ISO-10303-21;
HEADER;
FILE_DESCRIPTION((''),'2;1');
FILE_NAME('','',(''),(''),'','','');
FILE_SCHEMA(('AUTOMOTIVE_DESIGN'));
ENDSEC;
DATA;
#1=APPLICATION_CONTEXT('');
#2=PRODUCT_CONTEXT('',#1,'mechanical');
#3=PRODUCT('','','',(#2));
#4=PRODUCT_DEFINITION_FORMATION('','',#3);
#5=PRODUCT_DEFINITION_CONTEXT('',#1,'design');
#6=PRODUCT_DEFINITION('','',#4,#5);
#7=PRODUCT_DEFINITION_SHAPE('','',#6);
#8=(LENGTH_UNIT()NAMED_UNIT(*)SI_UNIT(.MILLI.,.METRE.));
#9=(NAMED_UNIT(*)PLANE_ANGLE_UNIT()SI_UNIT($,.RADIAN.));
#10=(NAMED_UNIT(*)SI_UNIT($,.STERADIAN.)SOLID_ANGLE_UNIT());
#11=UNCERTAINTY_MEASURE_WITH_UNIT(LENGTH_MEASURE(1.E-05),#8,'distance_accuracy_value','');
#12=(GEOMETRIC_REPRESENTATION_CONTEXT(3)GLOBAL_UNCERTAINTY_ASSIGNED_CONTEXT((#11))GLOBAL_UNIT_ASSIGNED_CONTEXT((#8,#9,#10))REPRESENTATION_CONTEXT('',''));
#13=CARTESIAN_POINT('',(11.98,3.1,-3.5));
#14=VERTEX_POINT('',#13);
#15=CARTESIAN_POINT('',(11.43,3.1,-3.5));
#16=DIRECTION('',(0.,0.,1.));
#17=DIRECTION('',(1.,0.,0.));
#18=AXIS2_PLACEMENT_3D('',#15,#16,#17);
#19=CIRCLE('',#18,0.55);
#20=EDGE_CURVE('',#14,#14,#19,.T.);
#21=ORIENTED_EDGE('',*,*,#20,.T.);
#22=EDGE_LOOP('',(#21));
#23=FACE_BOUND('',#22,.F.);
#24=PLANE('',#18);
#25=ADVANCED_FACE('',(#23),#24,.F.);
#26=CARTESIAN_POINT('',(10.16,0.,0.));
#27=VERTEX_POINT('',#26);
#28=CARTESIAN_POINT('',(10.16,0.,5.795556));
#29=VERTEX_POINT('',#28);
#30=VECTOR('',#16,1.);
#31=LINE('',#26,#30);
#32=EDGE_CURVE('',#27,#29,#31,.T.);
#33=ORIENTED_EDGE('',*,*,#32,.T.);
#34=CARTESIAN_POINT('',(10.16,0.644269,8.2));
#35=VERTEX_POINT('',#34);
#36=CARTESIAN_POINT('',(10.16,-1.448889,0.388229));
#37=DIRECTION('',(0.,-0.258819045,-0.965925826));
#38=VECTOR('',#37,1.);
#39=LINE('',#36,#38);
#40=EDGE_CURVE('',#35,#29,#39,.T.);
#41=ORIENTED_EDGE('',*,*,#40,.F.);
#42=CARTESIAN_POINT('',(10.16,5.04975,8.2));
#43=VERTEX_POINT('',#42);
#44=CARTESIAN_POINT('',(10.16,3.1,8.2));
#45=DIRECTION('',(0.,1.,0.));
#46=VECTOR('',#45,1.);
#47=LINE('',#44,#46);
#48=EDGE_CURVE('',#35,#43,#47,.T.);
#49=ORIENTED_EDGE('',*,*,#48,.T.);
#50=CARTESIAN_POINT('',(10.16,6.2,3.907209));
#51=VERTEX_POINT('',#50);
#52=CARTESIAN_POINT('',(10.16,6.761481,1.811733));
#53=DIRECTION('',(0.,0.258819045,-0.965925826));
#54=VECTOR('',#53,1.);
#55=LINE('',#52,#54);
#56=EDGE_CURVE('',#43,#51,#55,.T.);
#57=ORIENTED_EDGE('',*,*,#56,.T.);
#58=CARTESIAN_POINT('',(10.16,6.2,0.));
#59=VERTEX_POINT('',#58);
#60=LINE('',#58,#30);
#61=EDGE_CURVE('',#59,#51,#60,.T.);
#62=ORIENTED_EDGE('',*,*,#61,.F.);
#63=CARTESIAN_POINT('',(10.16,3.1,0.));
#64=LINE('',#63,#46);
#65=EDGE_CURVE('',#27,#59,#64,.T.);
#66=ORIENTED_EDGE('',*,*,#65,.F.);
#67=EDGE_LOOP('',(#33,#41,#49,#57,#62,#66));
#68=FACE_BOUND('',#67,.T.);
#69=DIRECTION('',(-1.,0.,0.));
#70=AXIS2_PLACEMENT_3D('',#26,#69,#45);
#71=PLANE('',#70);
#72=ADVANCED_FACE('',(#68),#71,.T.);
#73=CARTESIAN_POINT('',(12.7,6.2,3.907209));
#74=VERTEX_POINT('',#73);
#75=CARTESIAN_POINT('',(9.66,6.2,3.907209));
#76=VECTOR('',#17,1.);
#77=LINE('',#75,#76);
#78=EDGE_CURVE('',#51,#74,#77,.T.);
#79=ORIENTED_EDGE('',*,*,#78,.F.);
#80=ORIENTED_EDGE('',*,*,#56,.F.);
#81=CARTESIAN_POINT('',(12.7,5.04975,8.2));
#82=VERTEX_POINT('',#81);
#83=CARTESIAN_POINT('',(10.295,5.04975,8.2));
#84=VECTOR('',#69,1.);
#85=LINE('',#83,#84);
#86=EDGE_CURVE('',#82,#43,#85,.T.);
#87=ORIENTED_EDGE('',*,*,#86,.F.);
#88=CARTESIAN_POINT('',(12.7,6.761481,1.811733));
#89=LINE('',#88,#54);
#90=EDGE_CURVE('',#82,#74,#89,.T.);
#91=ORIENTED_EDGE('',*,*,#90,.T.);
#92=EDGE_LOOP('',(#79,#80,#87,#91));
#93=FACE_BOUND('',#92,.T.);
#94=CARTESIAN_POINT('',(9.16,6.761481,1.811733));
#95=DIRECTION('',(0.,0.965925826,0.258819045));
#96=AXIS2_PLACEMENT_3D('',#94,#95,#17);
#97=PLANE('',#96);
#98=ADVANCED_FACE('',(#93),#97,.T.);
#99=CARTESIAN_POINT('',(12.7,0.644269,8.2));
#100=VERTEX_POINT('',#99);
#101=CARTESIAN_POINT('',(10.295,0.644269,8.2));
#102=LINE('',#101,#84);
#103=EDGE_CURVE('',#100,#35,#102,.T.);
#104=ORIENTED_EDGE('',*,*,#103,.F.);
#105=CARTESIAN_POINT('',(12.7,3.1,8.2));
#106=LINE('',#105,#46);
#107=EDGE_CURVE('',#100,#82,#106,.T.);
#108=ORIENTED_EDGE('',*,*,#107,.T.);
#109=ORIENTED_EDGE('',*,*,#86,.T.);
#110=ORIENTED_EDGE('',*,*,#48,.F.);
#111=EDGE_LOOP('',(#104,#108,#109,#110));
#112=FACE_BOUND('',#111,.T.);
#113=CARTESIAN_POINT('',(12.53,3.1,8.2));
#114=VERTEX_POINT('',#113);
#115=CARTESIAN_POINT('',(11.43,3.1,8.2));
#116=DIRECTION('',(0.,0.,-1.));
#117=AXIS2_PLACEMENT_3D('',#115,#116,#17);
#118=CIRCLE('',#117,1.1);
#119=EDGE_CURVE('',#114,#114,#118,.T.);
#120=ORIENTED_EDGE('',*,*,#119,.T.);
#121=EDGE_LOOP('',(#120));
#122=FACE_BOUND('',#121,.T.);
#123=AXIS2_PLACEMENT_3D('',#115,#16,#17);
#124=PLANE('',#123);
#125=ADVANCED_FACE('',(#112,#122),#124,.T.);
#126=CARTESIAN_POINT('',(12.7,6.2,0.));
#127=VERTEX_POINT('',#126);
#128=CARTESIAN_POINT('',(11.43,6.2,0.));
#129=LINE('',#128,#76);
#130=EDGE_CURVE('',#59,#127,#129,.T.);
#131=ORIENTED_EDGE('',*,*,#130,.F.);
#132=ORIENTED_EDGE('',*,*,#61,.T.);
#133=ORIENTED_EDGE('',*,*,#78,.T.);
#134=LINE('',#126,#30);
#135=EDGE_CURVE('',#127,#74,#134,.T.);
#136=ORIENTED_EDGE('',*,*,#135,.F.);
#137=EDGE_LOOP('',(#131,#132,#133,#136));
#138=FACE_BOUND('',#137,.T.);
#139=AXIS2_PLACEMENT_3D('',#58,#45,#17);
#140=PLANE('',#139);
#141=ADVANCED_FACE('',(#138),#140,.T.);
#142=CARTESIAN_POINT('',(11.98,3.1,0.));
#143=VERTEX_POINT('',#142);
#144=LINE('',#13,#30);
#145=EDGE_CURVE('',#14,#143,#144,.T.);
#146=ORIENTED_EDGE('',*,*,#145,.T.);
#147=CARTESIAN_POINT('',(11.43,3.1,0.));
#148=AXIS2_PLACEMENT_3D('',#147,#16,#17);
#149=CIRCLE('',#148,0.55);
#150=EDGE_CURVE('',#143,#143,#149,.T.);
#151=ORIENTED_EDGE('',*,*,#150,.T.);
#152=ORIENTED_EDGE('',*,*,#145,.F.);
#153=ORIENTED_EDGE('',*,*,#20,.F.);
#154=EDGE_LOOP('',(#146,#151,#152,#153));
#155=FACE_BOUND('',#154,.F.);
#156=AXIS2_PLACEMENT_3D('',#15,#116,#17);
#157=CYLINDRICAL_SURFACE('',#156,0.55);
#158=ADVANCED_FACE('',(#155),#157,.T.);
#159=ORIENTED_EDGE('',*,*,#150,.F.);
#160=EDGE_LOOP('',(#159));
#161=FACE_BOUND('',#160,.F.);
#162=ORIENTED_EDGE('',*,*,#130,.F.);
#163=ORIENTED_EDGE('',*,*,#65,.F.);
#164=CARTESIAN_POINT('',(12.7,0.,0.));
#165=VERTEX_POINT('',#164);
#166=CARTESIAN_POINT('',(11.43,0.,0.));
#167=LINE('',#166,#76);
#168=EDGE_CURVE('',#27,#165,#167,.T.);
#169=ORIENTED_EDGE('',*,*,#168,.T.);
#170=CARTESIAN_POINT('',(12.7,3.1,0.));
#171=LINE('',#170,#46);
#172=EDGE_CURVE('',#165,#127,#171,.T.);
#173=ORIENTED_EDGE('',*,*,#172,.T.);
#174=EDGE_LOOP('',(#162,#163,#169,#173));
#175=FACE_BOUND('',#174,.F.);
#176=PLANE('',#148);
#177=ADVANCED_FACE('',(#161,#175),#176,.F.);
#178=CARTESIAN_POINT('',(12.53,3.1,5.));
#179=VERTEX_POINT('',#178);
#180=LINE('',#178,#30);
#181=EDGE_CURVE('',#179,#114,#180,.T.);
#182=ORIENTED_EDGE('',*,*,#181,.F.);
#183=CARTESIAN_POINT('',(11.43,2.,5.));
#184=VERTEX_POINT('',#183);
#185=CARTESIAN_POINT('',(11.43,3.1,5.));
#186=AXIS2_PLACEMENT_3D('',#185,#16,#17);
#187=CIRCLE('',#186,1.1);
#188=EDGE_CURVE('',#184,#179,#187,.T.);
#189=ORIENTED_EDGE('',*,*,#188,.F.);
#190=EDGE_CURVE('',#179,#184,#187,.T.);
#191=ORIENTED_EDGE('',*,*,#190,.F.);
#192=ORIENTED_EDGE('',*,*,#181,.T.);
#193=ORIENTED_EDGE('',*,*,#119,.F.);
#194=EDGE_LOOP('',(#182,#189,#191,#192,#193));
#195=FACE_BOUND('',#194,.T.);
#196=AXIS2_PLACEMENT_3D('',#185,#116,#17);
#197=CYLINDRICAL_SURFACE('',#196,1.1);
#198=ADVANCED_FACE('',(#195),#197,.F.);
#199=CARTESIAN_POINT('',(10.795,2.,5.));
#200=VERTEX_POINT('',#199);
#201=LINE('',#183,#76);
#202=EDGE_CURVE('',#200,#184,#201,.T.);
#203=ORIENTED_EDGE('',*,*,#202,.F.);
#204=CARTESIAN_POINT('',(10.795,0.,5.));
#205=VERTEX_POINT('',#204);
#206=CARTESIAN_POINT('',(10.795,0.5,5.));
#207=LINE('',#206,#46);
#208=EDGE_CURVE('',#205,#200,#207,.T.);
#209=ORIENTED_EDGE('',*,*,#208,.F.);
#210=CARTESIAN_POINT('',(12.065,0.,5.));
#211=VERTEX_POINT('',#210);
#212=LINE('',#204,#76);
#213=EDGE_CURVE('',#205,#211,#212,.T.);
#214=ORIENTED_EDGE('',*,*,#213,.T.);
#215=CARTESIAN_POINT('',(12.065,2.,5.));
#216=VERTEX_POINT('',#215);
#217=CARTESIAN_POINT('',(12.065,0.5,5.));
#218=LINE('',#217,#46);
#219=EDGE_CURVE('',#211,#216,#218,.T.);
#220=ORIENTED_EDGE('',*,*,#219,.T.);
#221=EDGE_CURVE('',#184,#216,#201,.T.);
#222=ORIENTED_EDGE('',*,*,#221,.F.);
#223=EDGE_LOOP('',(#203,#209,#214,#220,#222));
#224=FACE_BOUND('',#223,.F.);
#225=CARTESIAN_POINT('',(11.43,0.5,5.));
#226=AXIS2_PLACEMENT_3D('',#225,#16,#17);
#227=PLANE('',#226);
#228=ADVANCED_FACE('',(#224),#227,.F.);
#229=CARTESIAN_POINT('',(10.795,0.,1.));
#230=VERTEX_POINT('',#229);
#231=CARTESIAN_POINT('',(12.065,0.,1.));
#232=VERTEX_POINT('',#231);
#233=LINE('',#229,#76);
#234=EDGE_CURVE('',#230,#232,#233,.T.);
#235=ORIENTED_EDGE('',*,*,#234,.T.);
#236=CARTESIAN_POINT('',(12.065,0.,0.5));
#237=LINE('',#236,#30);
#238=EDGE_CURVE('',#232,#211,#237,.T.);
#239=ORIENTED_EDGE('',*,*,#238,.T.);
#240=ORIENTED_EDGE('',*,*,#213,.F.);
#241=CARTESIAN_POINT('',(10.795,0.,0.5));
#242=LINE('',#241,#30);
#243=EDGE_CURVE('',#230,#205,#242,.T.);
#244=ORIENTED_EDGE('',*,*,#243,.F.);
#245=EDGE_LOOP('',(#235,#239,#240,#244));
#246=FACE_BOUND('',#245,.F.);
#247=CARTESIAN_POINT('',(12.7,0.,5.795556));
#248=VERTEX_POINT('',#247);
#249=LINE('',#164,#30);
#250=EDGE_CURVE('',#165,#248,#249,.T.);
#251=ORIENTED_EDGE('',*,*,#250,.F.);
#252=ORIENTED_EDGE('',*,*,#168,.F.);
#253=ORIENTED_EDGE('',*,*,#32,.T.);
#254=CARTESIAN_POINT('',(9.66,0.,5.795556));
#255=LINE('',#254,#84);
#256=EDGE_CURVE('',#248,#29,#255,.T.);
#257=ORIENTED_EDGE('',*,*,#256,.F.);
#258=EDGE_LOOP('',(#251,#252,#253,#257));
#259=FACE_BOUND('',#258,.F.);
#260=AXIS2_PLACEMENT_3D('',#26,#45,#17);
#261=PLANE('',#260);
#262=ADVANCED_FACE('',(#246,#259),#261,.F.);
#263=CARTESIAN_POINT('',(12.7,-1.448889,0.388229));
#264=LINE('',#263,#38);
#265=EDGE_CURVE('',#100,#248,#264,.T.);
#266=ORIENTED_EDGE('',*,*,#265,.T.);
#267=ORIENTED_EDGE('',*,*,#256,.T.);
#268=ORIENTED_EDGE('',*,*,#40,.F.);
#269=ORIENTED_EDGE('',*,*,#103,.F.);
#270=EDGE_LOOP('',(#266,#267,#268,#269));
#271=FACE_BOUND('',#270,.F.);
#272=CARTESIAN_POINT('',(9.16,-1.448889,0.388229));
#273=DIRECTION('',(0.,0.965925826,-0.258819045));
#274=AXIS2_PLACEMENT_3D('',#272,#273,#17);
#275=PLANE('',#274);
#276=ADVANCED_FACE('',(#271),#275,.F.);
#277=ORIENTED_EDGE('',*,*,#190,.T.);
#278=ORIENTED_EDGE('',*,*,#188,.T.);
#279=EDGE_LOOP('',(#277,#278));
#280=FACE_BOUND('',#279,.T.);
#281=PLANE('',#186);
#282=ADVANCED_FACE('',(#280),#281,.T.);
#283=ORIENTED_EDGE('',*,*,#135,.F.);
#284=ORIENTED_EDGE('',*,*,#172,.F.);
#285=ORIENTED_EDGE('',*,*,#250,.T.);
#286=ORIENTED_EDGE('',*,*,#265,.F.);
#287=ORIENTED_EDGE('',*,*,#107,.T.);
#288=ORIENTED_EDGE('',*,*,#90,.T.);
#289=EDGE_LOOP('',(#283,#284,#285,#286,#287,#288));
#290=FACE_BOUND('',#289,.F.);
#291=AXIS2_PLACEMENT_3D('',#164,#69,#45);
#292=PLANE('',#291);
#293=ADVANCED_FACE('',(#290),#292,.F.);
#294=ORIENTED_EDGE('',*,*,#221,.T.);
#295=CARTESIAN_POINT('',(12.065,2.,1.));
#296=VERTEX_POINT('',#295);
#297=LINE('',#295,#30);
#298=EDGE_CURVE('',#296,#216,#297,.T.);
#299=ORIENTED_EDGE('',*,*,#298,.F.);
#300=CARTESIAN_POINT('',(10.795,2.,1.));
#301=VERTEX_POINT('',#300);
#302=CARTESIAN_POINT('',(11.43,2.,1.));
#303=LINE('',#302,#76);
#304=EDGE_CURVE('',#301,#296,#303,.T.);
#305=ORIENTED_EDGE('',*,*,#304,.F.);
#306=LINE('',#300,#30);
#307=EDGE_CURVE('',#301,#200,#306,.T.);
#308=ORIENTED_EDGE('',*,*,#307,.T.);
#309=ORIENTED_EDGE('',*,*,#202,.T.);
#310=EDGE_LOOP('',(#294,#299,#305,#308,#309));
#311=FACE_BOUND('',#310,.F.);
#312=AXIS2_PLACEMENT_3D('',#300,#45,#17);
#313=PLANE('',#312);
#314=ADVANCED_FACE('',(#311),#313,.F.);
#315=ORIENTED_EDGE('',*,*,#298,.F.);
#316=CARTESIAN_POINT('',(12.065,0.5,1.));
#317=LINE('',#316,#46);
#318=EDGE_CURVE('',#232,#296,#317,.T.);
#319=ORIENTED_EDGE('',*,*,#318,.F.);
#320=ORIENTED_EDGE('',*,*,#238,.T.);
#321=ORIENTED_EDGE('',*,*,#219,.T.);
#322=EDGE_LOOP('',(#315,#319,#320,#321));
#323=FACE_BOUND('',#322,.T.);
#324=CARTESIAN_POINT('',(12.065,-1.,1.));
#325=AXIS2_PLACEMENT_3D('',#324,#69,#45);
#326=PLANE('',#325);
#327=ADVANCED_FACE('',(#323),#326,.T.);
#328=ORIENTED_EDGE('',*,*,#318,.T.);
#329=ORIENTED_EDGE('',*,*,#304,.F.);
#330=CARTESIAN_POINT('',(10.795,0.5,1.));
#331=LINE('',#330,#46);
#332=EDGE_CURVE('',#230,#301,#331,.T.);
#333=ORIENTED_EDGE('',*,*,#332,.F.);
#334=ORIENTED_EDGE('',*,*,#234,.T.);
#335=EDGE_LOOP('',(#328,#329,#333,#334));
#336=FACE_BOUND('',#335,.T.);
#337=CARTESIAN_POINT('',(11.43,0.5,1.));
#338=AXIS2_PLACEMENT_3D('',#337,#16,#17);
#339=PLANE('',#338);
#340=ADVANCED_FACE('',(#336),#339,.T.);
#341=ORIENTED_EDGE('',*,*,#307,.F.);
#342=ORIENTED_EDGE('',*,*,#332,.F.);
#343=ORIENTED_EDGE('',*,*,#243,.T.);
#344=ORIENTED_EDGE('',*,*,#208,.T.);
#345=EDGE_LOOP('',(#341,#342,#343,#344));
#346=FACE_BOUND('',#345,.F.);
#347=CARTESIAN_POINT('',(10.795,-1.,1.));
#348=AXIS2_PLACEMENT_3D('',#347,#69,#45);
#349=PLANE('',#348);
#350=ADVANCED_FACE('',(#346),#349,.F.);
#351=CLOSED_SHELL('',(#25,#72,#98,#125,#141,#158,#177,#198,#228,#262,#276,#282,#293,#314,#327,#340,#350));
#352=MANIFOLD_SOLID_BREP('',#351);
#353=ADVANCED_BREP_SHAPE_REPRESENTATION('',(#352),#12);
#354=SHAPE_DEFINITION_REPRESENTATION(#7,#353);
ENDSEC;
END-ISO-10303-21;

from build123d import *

# Parameters (mm, degrees)
CYLINDER009_R           = 0.55
CYLINDER009_DEPTH       = 3.5
CYLINDER008_R           = 1.1
CYLINDER008_DEPTH       = 3.5
CUBE019_W               = 4
CUBE019_H               = 6
CUBE019_DEPTH           = 9
CUBE019_PLACEMENT_ANGLE = 15
CUBE018_W               = 4
CUBE018_H               = 6
CUBE018_DEPTH           = 8
CUBE018_PLACEMENT_ANGLE = 15
CUBE017_W               = 1.27
CUBE017_H               = 3
CUBE017_DEPTH           = 4
CUBE016_W               = 2.54
CUBE016_H               = 6.2
CUBE016_DEPTH           = 8.2


with BuildPart() as cylinder009:
    # cylinder009 → cylinder009 (new body)
    with BuildSketch(Plane(origin=(1.27, 3.1, -3.5), x_dir=(1, 0, 0), z_dir=(0, 0, 1))):
        Circle(CYLINDER009_R)
    extrude(amount=CYLINDER009_DEPTH)


with BuildPart() as cylinder008:
    # cylinder008 → cylinder008 (new body)
    with BuildSketch(Plane(origin=(1.27, 3.1, 5), x_dir=(1, 0, 0), z_dir=(0, 0, 1))):
        Circle(CYLINDER008_R)
    extrude(amount=CYLINDER008_DEPTH)


with BuildPart() as cube019:
    # cube019 → cube019 (new body)
    with BuildSketch(Plane.XY):
        with Locations((2, 3)):
            Rectangle(CUBE019_W, CUBE019_H)
    extrude(amount=CUBE019_DEPTH)


with BuildPart() as cube019_1:
    # cube019 placement: moved
    add(cube019.part.moved(Location((-1, -7.244444, 1.941143))).rotate(Axis((-1, -7.244444, 1.941143), (-1, 0, 0)), CUBE019_PLACEMENT_ANGLE))


with BuildPart() as cube018:
    # cube018 → cube018 (new body)
    with BuildSketch(Plane.XY):
        with Locations((2, 3)):
            Rectangle(CUBE018_W, CUBE018_H)
    extrude(amount=CUBE018_DEPTH)


with BuildPart() as cube018_1:
    # cube018 placement: moved
    add(cube018.part.moved(Location((-1, 6.761481, 1.811733))).rotate(Axis((-1, 6.761481, 1.811733), (1, 0, 0)), CUBE018_PLACEMENT_ANGLE))


with BuildPart() as cube017:
    # cube017 → cube017 (new body)
    with BuildSketch(Plane(origin=(0.635, -1, 1), x_dir=(1, 0, 0), z_dir=(0, 0, 1))):
        with Locations((0.635, 1.5)):
            Rectangle(CUBE017_W, CUBE017_H)
    extrude(amount=CUBE017_DEPTH)


with BuildPart() as group004:
    # cube016 → cube016 (new body)
    with BuildSketch(Plane.XY):
        with Locations((1.27, 3.1)):
            Rectangle(CUBE016_W, CUBE016_H)
    extrude(amount=CUBE016_DEPTH)

    # difference016: cut cube017
    add(cube017.part, mode=Mode.SUBTRACT)

    # difference017: cut cube018
    add(cube018_1.part, mode=Mode.SUBTRACT)

    # difference018: cut cube019
    add(cube019_1.part, mode=Mode.SUBTRACT)

    # difference019: cut cylinder008
    add(cylinder008.part, mode=Mode.SUBTRACT)

    # Group004: union cylinder009
    add(cylinder009.part)


with BuildPart() as group004_1:
    # Group004 placement: moved
    add(group004.part.moved(Location((10.16, 0, 0))))


solid = group004_1.part
